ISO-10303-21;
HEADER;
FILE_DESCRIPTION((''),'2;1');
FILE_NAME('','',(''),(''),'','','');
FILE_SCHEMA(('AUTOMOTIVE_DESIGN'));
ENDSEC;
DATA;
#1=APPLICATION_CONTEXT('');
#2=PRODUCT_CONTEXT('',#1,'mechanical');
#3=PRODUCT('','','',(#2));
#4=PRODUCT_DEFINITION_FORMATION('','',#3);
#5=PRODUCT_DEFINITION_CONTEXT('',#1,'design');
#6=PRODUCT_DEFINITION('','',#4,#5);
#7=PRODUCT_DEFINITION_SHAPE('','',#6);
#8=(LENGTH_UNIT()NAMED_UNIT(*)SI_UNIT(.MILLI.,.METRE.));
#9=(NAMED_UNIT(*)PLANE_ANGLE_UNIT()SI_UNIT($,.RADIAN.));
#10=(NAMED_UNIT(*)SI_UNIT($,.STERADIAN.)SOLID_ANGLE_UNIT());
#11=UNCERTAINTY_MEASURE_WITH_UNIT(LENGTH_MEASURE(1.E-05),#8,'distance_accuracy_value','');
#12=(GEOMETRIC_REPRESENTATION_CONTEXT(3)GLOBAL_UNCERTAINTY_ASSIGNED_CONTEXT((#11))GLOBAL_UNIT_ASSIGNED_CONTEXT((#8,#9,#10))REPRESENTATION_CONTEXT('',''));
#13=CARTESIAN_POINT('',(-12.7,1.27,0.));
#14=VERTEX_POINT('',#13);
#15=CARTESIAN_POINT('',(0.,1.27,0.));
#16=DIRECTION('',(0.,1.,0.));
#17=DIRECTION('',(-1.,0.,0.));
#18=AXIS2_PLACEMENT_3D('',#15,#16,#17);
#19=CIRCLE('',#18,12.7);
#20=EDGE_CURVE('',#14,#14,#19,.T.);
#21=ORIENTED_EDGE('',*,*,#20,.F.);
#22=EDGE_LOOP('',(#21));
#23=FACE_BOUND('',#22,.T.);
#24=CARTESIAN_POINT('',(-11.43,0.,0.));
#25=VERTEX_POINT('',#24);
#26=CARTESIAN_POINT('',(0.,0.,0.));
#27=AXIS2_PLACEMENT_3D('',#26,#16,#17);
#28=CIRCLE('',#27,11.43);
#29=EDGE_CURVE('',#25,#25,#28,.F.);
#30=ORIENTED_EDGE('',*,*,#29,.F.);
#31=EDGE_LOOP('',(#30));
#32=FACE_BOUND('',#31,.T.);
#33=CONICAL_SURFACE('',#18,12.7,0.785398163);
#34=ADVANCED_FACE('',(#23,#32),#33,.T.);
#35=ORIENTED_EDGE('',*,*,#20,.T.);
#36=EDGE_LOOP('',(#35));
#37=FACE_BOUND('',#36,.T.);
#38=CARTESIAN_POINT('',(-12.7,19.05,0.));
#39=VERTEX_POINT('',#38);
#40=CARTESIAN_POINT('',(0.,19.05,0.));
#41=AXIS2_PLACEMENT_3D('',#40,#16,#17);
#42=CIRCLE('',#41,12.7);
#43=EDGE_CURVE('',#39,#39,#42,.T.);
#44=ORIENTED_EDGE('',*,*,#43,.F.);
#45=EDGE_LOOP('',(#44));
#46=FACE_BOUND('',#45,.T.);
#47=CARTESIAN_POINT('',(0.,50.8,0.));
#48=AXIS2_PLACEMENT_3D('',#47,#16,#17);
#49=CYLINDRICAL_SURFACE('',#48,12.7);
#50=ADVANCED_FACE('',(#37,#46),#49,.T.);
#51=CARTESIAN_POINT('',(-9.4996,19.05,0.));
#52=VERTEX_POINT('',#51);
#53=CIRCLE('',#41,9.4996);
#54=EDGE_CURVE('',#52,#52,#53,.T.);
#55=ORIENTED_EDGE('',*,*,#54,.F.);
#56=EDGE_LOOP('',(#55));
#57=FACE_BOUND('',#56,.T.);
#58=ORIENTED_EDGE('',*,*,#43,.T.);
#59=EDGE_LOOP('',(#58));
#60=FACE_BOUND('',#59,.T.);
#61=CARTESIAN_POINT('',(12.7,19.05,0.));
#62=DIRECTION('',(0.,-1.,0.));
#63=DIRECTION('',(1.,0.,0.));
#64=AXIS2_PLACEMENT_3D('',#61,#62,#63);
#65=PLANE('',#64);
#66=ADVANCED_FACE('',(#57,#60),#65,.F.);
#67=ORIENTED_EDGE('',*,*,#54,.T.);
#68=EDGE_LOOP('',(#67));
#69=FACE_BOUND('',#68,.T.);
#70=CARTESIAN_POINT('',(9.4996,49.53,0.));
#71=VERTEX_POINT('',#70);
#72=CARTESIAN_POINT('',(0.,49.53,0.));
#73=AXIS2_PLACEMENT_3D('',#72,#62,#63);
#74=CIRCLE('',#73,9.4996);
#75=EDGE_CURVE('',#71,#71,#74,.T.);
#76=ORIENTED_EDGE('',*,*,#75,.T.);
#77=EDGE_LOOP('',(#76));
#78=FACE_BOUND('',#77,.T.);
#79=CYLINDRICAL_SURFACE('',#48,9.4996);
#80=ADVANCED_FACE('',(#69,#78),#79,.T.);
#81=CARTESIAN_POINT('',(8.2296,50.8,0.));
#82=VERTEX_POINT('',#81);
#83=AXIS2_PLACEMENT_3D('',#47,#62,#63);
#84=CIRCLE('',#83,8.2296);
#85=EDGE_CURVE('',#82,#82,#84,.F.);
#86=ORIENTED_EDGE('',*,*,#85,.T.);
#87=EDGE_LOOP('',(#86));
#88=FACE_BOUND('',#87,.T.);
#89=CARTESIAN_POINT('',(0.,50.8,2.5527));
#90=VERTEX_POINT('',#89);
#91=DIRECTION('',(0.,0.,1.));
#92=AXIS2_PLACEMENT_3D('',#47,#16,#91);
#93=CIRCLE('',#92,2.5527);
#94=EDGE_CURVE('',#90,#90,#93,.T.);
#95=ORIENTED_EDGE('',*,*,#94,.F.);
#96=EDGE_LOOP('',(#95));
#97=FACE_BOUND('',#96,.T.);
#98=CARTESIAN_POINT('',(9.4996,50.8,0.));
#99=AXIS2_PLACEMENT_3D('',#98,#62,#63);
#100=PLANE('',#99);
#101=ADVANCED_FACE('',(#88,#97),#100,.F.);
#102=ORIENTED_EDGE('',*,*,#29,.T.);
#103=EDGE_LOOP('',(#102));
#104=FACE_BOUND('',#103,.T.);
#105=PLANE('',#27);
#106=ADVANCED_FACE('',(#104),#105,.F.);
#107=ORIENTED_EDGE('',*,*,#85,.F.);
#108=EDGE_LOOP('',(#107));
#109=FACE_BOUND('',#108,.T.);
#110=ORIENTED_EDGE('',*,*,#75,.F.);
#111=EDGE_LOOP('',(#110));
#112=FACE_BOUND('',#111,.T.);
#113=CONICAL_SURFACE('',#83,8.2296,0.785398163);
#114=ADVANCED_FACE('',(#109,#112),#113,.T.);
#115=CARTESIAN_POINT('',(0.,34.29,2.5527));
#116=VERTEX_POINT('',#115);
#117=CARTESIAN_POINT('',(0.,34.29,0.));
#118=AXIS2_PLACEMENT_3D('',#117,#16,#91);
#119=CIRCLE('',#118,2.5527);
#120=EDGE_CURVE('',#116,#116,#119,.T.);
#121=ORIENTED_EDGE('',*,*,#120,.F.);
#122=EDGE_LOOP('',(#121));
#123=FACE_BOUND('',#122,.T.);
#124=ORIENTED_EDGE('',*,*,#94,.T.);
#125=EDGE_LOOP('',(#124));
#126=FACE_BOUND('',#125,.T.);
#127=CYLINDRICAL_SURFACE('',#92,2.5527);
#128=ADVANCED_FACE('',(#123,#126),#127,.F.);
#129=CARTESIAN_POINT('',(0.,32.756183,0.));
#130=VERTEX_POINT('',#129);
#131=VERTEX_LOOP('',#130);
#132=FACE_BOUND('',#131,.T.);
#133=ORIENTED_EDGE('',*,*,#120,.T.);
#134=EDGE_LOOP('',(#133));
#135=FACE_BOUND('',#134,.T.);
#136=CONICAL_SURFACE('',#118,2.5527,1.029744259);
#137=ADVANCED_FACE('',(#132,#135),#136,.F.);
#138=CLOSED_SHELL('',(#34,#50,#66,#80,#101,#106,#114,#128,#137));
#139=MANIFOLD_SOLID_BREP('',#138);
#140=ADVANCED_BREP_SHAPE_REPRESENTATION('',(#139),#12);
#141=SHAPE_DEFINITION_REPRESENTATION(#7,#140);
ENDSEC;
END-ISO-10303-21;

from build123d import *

# Parameters (mm, degrees)
CHAMFER1_SIZE               = 1.27
F_1_4_20_TAPPED_HOLE1_D     = 5.1054
F_1_4_20_TAPPED_HOLE1_DEPTH = 16.51
F_1_4_20_TAPPED_HOLE1_TIP   = 1.533816902


with BuildPart() as part:
    # Sketch1 → Revolve1 (revolve)
    with BuildSketch(Plane.XY):
        Polygon((0, 0), (12.7, 0), (12.7, 19.05), (9.4996, 19.05), (9.4996, 50.8), (0, 50.8), align=None)
    revolve(axis=Axis((0, 50.8, 0), (0, -1, 0)))

    # Chamfer1
    chamfer1_edges = [part.edges().sort_by_distance(p)[0] for p in [
        (-9.4996, 50.8, 0),
        (-12.7, 0, 0),
    ]]
    chamfer(chamfer1_edges, length=CHAMFER1_SIZE)

    # 1/4-20 Tapped Hole1
    with Locations(Plane(origin=(0, 50.8, 0), x_dir=(1, 0, 0), z_dir=(0, 1, 0))):
        with Locations((0, 0)):
            Hole(F_1_4_20_TAPPED_HOLE1_D / 2, depth=F_1_4_20_TAPPED_HOLE1_DEPTH)
            with Locations((0, 0, -(F_1_4_20_TAPPED_HOLE1_DEPTH + F_1_4_20_TAPPED_HOLE1_TIP / 2))):  # 118° drill point
                Cone(0, F_1_4_20_TAPPED_HOLE1_D / 2, F_1_4_20_TAPPED_HOLE1_TIP, mode=Mode.SUBTRACT)


solid = part.part
